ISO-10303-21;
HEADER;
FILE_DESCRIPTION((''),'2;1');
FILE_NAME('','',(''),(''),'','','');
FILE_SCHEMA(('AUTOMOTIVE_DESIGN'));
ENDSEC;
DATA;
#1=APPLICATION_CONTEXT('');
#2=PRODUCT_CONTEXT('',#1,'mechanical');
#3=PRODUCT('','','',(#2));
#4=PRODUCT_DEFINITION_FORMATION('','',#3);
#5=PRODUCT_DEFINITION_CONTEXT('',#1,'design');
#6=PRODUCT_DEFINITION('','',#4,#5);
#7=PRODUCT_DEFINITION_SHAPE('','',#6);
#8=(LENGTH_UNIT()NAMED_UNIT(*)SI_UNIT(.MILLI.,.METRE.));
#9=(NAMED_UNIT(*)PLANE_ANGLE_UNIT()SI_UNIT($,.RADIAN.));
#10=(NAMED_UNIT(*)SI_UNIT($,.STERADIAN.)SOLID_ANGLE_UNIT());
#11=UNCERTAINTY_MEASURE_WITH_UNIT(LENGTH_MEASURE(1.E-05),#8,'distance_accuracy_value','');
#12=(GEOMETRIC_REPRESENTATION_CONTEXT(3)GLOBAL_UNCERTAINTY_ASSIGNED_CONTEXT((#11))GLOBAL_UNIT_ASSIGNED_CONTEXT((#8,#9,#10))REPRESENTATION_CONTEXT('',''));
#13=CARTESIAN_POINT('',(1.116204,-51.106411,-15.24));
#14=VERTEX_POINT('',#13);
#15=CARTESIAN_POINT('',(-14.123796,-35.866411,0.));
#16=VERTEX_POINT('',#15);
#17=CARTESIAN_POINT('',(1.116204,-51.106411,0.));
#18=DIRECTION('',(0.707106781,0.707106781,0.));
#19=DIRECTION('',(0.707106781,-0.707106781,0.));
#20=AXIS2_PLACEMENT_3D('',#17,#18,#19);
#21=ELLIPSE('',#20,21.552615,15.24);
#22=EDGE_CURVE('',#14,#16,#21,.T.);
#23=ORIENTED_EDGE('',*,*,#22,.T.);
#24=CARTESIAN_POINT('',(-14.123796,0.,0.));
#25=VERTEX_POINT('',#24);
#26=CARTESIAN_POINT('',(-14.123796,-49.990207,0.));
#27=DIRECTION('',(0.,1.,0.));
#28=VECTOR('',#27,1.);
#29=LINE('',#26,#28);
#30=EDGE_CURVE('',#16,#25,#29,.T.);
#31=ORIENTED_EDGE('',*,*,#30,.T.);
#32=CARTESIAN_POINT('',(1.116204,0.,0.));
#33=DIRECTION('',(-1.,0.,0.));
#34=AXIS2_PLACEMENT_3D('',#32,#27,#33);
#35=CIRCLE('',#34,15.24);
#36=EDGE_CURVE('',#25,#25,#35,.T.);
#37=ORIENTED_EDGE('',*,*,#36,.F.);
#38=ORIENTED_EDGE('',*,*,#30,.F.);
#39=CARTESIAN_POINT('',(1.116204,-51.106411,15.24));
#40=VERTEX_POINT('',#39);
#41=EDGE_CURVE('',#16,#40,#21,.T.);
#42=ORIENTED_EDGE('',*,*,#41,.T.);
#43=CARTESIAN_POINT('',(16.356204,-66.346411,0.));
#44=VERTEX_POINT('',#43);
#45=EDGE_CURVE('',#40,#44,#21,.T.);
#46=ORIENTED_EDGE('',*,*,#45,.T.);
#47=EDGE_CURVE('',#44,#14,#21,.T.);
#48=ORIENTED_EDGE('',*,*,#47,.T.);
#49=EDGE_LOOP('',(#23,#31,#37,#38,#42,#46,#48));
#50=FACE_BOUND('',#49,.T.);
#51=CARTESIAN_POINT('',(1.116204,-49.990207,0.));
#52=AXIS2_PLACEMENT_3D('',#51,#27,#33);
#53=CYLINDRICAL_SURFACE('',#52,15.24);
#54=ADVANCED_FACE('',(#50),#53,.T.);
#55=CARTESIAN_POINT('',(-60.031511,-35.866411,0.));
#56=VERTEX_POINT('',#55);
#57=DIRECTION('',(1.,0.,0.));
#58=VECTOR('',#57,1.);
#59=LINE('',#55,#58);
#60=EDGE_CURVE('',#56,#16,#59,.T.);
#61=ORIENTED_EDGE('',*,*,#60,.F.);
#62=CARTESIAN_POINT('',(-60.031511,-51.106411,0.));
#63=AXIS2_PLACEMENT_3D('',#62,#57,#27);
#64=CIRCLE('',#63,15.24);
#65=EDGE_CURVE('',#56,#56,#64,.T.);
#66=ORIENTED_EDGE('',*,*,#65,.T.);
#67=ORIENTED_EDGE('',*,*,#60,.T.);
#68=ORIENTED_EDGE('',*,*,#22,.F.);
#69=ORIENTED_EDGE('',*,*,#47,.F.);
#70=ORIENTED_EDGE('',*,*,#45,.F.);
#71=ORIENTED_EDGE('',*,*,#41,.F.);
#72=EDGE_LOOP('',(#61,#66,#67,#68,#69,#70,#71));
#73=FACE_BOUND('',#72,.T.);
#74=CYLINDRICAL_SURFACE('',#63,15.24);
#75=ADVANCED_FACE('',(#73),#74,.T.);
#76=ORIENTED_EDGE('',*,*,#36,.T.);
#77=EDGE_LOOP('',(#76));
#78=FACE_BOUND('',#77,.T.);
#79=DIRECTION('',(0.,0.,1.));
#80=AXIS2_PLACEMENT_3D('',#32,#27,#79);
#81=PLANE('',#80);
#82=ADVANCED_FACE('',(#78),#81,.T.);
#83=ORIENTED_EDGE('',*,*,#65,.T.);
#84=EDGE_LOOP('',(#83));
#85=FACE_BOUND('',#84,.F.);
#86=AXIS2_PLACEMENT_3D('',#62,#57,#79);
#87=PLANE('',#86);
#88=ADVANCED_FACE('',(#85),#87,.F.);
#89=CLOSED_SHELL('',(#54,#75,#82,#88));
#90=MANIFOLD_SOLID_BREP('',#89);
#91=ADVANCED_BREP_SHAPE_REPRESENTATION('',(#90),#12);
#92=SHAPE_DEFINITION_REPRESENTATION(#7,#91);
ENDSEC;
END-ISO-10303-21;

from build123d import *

# Parameters (mm, degrees)
F1_R = 15.24


with BuildPart() as f2:
    # F2: sweep along a path in F0
    with BuildLine(Plane.XY) as f2_path:
        Line((-60.0315108895, -49.9902069569), (0, -49.9902069569))
        Line((0, -49.9902069569), (0, 0))
    # F1 (on Right) → F2 (sweep)
    with BuildSketch(Plane.YZ):
        with Locations((-51.1064113455, 0)):
            Circle(F1_R)
    sweep(path=f2_path.line, transition=Transition.RIGHT)


solid = f2.part
